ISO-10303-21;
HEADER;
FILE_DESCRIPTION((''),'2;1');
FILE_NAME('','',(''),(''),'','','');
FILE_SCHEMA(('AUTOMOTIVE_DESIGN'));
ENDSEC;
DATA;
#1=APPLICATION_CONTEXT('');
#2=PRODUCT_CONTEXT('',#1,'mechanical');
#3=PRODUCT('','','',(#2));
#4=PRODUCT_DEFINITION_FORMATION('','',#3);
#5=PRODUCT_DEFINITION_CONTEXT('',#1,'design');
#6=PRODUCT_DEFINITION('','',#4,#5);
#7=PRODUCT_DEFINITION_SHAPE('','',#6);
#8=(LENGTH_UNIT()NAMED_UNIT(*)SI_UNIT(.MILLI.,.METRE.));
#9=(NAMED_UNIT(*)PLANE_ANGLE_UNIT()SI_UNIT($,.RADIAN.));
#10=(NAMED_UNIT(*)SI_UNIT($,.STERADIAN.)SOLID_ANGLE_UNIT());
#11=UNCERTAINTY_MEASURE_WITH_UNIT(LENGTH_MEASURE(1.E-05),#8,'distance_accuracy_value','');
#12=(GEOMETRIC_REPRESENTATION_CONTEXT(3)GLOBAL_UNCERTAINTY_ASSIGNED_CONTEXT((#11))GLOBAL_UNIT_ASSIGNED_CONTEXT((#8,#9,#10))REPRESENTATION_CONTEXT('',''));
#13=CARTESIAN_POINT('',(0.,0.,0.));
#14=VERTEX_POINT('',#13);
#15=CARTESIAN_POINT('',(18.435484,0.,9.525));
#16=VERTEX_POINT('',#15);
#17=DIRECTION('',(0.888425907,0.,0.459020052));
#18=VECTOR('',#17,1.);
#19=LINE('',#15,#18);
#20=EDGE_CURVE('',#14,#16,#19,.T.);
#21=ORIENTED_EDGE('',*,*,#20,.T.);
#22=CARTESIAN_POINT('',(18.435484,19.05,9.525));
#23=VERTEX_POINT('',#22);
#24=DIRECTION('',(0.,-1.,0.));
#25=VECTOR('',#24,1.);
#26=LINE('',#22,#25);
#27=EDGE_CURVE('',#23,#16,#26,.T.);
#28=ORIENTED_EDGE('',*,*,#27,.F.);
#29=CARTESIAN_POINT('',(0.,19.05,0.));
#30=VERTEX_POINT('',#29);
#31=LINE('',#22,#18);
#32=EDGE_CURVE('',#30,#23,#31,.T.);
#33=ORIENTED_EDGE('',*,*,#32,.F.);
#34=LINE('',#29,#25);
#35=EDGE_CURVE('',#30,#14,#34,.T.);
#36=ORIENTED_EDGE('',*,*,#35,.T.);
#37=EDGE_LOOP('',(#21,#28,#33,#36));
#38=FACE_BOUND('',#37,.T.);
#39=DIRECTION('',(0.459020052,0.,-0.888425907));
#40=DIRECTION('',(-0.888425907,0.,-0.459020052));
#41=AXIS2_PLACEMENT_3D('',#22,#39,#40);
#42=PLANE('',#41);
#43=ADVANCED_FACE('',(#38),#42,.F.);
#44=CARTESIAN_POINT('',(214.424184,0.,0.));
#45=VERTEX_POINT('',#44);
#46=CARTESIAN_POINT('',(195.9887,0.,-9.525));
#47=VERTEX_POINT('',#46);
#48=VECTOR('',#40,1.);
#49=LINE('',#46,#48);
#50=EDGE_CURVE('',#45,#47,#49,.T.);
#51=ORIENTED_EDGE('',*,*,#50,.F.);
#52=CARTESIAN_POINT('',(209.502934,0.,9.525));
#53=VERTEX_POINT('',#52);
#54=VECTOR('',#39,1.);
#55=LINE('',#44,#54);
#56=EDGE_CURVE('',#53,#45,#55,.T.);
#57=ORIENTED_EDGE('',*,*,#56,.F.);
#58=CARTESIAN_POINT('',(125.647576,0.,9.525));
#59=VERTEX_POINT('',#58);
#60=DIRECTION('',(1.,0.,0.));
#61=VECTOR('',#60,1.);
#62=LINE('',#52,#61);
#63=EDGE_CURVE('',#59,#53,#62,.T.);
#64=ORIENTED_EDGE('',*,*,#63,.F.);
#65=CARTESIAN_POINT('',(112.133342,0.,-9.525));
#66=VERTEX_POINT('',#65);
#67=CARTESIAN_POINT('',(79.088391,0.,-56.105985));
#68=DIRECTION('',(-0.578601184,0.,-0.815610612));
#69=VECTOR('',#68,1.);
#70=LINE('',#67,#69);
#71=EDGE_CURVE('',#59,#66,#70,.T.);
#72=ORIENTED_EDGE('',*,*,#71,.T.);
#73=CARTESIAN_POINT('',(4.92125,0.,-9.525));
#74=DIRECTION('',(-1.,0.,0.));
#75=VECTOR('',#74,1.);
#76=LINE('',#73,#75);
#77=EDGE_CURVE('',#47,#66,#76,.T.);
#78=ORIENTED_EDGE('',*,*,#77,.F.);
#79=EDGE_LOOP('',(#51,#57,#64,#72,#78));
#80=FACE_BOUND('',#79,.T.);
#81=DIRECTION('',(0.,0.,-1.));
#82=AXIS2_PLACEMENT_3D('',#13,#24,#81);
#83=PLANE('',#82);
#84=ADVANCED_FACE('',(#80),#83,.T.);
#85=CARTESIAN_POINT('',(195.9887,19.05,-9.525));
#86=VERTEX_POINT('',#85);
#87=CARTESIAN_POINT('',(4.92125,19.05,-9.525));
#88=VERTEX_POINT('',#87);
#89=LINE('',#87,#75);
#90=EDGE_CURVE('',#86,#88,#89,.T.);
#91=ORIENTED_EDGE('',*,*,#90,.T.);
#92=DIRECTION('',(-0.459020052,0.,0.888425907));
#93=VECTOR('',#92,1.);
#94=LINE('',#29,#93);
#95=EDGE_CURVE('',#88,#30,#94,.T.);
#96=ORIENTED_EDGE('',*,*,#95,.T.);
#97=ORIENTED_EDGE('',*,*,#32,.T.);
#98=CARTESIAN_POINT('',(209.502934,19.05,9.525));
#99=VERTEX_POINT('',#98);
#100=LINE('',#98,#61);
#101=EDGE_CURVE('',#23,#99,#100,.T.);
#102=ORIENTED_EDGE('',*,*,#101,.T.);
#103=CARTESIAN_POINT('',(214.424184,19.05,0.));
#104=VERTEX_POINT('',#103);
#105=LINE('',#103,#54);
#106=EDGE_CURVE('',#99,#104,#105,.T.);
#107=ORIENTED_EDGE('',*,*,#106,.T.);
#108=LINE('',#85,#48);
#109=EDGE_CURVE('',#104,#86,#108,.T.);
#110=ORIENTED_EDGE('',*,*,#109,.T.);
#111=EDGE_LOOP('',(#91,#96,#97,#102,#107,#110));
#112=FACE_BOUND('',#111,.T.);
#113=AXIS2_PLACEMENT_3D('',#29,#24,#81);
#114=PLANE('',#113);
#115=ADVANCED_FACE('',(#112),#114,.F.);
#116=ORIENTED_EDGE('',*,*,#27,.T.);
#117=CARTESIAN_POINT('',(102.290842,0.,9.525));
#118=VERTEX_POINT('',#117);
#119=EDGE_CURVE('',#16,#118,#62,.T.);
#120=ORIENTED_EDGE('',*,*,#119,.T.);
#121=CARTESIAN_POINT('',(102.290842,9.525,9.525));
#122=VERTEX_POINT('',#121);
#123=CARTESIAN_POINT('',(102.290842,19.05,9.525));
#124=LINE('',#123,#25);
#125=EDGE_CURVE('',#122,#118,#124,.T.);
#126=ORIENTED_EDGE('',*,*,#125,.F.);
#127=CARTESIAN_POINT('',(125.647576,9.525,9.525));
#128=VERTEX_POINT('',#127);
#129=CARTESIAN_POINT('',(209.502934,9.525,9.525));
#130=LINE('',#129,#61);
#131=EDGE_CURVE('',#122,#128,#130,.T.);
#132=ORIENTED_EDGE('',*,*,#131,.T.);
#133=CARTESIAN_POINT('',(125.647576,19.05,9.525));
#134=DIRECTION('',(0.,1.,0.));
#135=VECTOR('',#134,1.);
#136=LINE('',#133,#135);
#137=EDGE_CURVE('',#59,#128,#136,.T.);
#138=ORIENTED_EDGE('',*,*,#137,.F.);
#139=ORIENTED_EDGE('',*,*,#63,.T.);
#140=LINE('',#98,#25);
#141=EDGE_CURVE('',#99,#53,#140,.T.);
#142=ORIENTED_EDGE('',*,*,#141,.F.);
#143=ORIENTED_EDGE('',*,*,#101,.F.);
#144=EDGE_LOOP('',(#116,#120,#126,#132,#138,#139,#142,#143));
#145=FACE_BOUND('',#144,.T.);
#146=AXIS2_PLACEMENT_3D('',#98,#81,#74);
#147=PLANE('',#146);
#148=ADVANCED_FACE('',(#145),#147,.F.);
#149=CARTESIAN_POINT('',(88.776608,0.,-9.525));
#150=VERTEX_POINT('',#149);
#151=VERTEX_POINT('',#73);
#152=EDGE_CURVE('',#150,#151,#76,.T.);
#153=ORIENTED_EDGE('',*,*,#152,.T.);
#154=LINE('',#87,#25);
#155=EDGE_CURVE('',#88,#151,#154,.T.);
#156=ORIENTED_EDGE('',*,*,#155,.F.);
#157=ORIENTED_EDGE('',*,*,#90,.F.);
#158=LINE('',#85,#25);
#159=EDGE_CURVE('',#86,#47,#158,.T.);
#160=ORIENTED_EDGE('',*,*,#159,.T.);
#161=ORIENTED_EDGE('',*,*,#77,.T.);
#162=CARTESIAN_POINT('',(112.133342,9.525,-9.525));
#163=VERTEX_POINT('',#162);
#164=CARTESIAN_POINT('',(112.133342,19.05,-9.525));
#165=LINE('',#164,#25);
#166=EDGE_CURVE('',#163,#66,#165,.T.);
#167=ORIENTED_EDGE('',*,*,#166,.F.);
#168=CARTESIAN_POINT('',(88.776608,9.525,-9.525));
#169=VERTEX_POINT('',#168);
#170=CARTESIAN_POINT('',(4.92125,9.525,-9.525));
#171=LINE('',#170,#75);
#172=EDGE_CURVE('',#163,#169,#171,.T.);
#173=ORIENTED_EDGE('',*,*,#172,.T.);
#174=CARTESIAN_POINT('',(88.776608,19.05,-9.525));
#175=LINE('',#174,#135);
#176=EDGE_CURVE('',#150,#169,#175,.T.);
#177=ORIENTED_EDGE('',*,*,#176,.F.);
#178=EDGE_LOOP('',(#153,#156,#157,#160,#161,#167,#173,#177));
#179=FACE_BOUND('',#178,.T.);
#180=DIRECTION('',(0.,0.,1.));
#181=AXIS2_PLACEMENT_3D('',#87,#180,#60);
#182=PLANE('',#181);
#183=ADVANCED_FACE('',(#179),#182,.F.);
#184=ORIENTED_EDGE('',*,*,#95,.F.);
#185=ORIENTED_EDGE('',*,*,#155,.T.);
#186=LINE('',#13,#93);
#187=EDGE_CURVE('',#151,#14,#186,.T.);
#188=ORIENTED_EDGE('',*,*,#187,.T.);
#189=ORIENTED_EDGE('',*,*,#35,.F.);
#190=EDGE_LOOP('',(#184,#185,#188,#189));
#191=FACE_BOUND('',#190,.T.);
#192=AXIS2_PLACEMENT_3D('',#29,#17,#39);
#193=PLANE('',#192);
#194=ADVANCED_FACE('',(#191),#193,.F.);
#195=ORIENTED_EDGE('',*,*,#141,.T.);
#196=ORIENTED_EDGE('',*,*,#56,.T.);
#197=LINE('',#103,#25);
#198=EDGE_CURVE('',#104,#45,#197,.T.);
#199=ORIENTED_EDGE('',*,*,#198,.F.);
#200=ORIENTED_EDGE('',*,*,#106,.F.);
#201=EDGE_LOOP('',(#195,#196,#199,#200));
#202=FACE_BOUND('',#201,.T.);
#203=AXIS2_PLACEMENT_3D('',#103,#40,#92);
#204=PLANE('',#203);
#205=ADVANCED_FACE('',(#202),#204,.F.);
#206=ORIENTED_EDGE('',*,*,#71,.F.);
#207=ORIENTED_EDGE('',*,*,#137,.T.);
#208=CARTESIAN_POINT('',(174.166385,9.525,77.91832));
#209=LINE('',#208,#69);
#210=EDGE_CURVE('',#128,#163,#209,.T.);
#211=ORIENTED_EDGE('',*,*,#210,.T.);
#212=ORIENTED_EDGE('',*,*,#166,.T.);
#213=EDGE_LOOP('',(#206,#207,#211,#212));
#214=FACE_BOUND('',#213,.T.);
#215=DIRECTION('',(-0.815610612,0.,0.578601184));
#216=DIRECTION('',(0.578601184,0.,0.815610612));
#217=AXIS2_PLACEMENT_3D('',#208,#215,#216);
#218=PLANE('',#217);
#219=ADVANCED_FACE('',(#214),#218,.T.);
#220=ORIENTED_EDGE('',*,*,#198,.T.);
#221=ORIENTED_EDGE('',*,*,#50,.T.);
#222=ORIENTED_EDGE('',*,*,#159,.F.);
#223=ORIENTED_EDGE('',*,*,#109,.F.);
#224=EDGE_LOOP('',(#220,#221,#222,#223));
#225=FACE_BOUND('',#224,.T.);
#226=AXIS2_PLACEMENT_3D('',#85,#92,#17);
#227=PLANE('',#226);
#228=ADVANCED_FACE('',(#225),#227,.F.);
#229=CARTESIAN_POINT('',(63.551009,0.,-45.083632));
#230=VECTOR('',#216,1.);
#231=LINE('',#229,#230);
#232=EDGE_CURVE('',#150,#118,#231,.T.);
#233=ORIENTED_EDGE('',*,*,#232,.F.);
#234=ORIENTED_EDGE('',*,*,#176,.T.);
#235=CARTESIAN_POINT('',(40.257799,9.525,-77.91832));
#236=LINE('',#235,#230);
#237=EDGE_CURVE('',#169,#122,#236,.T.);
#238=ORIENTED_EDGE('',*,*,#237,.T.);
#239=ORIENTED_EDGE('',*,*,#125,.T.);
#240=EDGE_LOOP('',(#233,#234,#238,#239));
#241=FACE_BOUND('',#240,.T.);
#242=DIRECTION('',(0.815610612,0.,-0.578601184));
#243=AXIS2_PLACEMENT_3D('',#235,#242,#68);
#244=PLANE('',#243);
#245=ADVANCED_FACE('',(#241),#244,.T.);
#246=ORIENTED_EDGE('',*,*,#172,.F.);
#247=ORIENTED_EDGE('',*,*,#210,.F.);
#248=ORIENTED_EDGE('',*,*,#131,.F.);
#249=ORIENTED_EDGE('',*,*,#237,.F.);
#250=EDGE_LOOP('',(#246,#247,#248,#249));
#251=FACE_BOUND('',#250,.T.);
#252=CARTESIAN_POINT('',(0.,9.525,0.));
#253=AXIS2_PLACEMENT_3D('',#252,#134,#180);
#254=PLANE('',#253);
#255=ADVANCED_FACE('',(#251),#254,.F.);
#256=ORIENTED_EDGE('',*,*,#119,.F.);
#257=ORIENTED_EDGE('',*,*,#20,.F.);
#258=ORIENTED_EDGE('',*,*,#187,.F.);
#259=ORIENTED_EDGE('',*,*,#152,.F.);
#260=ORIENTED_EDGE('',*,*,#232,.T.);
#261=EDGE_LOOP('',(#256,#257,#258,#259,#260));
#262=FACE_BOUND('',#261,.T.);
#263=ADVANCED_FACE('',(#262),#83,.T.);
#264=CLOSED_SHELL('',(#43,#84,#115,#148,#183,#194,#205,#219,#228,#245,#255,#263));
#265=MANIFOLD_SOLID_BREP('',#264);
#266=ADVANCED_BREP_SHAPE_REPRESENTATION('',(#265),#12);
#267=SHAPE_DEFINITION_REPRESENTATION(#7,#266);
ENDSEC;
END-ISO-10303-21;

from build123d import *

# Parameters (mm, degrees)
BOSS_EXTRUDE1_DEPTH = 19.05
CUT_EXTRUDE1_DEPTH  = 9.525


with BuildPart() as part:
    # Sketch1 → Boss-Extrude1 (new body)
    with BuildSketch(Plane(origin=(0, 0, 0), x_dir=(1, 0, 0), z_dir=(0, 1, 0))):
        Polygon((0, 0), (4.92125, 9.525), (195.988699991, 9.525), (214.424183862, 0), (209.502933862, -9.525), (18.435483871, -9.525), align=None)
    extrude(amount=BOSS_EXTRUDE1_DEPTH)

    # Sketch3 → Cut-Extrude1 (cut)
    with BuildSketch(Plane(origin=(0, 0, 0), x_dir=(1, 0, 0), z_dir=(0, 1, 0))):
        Polygon((45.179048606, 87.443319882), (40.257798606, 77.918319882), (150.809651385, -77.918319882), (169.245135256, -87.443319882), (174.166385256, -77.918319882), (63.614532477, 77.918319882), align=None)
    extrude(amount=CUT_EXTRUDE1_DEPTH, mode=Mode.SUBTRACT)


solid = part.part
